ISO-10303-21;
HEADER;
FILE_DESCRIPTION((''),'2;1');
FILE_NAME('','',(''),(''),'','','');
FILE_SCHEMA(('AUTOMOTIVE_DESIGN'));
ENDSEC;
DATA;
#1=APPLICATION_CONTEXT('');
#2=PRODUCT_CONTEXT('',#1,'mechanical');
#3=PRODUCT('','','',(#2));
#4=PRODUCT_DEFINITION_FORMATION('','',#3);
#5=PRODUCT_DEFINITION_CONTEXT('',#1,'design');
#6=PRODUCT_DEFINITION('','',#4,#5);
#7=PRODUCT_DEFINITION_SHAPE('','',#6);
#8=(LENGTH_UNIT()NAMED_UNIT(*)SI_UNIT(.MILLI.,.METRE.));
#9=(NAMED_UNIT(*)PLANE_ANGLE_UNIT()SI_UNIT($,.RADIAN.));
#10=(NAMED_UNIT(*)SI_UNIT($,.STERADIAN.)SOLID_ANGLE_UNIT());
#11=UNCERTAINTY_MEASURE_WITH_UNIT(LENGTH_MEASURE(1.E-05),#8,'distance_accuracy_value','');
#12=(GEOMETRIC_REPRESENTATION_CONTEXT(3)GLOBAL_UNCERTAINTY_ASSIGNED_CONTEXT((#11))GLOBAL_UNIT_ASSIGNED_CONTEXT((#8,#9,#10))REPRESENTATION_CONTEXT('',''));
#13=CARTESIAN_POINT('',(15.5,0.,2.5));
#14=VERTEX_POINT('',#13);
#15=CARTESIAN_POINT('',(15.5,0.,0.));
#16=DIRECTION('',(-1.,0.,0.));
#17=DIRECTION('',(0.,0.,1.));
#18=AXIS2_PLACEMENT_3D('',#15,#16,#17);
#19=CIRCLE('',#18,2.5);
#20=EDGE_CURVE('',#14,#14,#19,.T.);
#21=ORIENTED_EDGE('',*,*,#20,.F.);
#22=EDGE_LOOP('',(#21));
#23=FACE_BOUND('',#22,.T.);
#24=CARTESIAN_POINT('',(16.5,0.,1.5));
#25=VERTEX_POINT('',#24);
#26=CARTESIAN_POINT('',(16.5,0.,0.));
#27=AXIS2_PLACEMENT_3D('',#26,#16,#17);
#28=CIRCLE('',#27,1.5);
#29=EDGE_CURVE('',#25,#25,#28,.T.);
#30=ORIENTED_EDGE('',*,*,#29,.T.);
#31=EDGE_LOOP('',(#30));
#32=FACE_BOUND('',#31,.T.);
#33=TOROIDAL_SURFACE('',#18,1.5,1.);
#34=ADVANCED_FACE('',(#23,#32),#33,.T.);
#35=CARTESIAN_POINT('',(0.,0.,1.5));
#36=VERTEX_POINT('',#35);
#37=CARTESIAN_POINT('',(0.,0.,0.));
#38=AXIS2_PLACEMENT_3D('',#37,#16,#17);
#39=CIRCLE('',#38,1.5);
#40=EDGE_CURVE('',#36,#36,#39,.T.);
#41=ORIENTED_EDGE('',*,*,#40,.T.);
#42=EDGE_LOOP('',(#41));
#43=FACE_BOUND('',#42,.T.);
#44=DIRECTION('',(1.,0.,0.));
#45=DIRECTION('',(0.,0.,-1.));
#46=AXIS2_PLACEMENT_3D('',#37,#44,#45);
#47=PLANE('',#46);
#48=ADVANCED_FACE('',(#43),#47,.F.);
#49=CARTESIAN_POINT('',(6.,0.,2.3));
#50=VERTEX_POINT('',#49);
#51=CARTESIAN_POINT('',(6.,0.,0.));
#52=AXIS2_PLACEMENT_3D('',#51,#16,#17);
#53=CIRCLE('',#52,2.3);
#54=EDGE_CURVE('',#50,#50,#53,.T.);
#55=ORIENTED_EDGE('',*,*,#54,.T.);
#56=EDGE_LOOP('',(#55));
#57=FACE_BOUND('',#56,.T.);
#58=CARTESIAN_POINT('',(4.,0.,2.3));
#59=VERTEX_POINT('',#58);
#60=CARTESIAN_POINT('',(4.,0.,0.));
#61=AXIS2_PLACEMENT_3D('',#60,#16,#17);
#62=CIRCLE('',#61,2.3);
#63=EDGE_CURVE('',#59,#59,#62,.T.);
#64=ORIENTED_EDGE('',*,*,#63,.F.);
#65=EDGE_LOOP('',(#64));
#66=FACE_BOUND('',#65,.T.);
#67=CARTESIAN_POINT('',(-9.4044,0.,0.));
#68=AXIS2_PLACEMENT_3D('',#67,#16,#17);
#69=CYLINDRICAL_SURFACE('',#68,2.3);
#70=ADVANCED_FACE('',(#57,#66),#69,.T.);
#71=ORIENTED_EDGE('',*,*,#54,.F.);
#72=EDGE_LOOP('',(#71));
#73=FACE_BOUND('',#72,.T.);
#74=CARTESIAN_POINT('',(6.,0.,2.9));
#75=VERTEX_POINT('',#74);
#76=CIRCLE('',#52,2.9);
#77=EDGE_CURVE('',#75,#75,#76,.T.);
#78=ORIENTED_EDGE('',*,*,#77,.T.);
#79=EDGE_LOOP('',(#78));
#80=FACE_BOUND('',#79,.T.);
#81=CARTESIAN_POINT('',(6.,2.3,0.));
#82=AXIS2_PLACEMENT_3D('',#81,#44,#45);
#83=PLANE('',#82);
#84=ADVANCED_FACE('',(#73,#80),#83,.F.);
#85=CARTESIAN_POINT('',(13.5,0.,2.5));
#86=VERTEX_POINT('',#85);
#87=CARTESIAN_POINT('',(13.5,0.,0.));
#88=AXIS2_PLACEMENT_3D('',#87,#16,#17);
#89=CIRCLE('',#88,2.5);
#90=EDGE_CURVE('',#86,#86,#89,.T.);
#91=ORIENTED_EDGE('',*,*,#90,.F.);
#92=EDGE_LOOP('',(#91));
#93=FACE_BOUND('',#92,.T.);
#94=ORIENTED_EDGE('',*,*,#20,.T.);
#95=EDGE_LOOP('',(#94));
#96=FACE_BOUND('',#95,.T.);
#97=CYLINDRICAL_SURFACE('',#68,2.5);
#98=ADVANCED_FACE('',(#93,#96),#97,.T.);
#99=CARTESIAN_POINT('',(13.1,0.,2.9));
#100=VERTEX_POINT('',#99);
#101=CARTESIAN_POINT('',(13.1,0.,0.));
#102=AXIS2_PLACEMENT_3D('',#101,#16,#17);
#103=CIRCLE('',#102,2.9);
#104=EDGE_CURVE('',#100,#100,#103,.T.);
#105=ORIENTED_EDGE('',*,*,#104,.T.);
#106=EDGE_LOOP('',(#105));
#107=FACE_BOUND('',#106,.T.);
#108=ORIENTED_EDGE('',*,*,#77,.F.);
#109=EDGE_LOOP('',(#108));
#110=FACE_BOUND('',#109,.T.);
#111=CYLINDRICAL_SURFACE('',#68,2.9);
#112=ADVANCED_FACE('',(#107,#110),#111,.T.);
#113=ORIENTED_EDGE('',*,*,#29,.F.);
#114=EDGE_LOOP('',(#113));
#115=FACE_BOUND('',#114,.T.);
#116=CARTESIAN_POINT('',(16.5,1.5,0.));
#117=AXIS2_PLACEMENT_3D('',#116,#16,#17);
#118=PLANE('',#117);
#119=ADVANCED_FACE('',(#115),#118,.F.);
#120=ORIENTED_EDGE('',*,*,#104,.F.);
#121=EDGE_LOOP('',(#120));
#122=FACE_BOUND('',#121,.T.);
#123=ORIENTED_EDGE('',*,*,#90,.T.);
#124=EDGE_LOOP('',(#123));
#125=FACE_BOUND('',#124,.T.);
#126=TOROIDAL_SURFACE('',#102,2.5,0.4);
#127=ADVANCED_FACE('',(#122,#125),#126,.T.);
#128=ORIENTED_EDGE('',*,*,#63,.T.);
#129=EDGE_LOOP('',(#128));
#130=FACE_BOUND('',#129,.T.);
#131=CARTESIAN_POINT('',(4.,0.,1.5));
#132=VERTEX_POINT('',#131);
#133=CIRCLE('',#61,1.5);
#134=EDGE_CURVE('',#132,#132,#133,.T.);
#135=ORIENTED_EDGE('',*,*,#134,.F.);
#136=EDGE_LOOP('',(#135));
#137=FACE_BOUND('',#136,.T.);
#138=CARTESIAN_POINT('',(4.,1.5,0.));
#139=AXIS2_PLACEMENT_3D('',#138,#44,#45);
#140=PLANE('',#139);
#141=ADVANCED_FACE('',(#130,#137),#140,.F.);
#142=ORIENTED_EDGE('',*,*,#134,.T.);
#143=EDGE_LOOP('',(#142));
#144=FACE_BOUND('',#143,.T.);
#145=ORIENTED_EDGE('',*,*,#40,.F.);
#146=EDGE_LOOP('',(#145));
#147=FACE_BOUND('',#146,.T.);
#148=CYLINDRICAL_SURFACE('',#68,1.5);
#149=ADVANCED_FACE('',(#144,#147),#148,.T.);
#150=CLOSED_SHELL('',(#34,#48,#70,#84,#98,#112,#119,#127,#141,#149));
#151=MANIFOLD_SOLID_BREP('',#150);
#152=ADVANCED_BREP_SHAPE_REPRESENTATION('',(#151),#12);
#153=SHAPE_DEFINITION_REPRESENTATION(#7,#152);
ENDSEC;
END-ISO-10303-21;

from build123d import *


with BuildPart() as part:
    # 草图1 → 旋转1 (revolve)
    with BuildSketch(Plane.XY, mode=Mode.PRIVATE) as revolve_1_sk:
        with BuildLine():
            Line((0, 0), (0, 1.5))
            Line((0, 1.5), (4, 1.5))
            Line((4, 1.5), (4, 2.3))
            Line((4, 2.3), (6, 2.3))
            Line((6, 2.3), (6, 2.9))
            Line((6, 2.9), (13.1, 2.9))
            ThreePointArc((13.1, 2.9), (13.382842712, 2.782842712), (13.5, 2.5))
            Line((13.5, 2.5), (15.5, 2.5))
            ThreePointArc((15.5, 2.5), (16.207106781, 2.207106781), (16.5, 1.5))
            Line((16.5, 1.5), (16.5, 0))
            Line((16.5, 0), (0, 0))
        make_face()
    revolve(revolve_1_sk.sketch.rotate(Axis((-9.404400031, 0, 0), (1, 0, 0)), 90), axis=Axis((-9.404400031, 0, 0), (1, 0, 0)))


solid = part.part
